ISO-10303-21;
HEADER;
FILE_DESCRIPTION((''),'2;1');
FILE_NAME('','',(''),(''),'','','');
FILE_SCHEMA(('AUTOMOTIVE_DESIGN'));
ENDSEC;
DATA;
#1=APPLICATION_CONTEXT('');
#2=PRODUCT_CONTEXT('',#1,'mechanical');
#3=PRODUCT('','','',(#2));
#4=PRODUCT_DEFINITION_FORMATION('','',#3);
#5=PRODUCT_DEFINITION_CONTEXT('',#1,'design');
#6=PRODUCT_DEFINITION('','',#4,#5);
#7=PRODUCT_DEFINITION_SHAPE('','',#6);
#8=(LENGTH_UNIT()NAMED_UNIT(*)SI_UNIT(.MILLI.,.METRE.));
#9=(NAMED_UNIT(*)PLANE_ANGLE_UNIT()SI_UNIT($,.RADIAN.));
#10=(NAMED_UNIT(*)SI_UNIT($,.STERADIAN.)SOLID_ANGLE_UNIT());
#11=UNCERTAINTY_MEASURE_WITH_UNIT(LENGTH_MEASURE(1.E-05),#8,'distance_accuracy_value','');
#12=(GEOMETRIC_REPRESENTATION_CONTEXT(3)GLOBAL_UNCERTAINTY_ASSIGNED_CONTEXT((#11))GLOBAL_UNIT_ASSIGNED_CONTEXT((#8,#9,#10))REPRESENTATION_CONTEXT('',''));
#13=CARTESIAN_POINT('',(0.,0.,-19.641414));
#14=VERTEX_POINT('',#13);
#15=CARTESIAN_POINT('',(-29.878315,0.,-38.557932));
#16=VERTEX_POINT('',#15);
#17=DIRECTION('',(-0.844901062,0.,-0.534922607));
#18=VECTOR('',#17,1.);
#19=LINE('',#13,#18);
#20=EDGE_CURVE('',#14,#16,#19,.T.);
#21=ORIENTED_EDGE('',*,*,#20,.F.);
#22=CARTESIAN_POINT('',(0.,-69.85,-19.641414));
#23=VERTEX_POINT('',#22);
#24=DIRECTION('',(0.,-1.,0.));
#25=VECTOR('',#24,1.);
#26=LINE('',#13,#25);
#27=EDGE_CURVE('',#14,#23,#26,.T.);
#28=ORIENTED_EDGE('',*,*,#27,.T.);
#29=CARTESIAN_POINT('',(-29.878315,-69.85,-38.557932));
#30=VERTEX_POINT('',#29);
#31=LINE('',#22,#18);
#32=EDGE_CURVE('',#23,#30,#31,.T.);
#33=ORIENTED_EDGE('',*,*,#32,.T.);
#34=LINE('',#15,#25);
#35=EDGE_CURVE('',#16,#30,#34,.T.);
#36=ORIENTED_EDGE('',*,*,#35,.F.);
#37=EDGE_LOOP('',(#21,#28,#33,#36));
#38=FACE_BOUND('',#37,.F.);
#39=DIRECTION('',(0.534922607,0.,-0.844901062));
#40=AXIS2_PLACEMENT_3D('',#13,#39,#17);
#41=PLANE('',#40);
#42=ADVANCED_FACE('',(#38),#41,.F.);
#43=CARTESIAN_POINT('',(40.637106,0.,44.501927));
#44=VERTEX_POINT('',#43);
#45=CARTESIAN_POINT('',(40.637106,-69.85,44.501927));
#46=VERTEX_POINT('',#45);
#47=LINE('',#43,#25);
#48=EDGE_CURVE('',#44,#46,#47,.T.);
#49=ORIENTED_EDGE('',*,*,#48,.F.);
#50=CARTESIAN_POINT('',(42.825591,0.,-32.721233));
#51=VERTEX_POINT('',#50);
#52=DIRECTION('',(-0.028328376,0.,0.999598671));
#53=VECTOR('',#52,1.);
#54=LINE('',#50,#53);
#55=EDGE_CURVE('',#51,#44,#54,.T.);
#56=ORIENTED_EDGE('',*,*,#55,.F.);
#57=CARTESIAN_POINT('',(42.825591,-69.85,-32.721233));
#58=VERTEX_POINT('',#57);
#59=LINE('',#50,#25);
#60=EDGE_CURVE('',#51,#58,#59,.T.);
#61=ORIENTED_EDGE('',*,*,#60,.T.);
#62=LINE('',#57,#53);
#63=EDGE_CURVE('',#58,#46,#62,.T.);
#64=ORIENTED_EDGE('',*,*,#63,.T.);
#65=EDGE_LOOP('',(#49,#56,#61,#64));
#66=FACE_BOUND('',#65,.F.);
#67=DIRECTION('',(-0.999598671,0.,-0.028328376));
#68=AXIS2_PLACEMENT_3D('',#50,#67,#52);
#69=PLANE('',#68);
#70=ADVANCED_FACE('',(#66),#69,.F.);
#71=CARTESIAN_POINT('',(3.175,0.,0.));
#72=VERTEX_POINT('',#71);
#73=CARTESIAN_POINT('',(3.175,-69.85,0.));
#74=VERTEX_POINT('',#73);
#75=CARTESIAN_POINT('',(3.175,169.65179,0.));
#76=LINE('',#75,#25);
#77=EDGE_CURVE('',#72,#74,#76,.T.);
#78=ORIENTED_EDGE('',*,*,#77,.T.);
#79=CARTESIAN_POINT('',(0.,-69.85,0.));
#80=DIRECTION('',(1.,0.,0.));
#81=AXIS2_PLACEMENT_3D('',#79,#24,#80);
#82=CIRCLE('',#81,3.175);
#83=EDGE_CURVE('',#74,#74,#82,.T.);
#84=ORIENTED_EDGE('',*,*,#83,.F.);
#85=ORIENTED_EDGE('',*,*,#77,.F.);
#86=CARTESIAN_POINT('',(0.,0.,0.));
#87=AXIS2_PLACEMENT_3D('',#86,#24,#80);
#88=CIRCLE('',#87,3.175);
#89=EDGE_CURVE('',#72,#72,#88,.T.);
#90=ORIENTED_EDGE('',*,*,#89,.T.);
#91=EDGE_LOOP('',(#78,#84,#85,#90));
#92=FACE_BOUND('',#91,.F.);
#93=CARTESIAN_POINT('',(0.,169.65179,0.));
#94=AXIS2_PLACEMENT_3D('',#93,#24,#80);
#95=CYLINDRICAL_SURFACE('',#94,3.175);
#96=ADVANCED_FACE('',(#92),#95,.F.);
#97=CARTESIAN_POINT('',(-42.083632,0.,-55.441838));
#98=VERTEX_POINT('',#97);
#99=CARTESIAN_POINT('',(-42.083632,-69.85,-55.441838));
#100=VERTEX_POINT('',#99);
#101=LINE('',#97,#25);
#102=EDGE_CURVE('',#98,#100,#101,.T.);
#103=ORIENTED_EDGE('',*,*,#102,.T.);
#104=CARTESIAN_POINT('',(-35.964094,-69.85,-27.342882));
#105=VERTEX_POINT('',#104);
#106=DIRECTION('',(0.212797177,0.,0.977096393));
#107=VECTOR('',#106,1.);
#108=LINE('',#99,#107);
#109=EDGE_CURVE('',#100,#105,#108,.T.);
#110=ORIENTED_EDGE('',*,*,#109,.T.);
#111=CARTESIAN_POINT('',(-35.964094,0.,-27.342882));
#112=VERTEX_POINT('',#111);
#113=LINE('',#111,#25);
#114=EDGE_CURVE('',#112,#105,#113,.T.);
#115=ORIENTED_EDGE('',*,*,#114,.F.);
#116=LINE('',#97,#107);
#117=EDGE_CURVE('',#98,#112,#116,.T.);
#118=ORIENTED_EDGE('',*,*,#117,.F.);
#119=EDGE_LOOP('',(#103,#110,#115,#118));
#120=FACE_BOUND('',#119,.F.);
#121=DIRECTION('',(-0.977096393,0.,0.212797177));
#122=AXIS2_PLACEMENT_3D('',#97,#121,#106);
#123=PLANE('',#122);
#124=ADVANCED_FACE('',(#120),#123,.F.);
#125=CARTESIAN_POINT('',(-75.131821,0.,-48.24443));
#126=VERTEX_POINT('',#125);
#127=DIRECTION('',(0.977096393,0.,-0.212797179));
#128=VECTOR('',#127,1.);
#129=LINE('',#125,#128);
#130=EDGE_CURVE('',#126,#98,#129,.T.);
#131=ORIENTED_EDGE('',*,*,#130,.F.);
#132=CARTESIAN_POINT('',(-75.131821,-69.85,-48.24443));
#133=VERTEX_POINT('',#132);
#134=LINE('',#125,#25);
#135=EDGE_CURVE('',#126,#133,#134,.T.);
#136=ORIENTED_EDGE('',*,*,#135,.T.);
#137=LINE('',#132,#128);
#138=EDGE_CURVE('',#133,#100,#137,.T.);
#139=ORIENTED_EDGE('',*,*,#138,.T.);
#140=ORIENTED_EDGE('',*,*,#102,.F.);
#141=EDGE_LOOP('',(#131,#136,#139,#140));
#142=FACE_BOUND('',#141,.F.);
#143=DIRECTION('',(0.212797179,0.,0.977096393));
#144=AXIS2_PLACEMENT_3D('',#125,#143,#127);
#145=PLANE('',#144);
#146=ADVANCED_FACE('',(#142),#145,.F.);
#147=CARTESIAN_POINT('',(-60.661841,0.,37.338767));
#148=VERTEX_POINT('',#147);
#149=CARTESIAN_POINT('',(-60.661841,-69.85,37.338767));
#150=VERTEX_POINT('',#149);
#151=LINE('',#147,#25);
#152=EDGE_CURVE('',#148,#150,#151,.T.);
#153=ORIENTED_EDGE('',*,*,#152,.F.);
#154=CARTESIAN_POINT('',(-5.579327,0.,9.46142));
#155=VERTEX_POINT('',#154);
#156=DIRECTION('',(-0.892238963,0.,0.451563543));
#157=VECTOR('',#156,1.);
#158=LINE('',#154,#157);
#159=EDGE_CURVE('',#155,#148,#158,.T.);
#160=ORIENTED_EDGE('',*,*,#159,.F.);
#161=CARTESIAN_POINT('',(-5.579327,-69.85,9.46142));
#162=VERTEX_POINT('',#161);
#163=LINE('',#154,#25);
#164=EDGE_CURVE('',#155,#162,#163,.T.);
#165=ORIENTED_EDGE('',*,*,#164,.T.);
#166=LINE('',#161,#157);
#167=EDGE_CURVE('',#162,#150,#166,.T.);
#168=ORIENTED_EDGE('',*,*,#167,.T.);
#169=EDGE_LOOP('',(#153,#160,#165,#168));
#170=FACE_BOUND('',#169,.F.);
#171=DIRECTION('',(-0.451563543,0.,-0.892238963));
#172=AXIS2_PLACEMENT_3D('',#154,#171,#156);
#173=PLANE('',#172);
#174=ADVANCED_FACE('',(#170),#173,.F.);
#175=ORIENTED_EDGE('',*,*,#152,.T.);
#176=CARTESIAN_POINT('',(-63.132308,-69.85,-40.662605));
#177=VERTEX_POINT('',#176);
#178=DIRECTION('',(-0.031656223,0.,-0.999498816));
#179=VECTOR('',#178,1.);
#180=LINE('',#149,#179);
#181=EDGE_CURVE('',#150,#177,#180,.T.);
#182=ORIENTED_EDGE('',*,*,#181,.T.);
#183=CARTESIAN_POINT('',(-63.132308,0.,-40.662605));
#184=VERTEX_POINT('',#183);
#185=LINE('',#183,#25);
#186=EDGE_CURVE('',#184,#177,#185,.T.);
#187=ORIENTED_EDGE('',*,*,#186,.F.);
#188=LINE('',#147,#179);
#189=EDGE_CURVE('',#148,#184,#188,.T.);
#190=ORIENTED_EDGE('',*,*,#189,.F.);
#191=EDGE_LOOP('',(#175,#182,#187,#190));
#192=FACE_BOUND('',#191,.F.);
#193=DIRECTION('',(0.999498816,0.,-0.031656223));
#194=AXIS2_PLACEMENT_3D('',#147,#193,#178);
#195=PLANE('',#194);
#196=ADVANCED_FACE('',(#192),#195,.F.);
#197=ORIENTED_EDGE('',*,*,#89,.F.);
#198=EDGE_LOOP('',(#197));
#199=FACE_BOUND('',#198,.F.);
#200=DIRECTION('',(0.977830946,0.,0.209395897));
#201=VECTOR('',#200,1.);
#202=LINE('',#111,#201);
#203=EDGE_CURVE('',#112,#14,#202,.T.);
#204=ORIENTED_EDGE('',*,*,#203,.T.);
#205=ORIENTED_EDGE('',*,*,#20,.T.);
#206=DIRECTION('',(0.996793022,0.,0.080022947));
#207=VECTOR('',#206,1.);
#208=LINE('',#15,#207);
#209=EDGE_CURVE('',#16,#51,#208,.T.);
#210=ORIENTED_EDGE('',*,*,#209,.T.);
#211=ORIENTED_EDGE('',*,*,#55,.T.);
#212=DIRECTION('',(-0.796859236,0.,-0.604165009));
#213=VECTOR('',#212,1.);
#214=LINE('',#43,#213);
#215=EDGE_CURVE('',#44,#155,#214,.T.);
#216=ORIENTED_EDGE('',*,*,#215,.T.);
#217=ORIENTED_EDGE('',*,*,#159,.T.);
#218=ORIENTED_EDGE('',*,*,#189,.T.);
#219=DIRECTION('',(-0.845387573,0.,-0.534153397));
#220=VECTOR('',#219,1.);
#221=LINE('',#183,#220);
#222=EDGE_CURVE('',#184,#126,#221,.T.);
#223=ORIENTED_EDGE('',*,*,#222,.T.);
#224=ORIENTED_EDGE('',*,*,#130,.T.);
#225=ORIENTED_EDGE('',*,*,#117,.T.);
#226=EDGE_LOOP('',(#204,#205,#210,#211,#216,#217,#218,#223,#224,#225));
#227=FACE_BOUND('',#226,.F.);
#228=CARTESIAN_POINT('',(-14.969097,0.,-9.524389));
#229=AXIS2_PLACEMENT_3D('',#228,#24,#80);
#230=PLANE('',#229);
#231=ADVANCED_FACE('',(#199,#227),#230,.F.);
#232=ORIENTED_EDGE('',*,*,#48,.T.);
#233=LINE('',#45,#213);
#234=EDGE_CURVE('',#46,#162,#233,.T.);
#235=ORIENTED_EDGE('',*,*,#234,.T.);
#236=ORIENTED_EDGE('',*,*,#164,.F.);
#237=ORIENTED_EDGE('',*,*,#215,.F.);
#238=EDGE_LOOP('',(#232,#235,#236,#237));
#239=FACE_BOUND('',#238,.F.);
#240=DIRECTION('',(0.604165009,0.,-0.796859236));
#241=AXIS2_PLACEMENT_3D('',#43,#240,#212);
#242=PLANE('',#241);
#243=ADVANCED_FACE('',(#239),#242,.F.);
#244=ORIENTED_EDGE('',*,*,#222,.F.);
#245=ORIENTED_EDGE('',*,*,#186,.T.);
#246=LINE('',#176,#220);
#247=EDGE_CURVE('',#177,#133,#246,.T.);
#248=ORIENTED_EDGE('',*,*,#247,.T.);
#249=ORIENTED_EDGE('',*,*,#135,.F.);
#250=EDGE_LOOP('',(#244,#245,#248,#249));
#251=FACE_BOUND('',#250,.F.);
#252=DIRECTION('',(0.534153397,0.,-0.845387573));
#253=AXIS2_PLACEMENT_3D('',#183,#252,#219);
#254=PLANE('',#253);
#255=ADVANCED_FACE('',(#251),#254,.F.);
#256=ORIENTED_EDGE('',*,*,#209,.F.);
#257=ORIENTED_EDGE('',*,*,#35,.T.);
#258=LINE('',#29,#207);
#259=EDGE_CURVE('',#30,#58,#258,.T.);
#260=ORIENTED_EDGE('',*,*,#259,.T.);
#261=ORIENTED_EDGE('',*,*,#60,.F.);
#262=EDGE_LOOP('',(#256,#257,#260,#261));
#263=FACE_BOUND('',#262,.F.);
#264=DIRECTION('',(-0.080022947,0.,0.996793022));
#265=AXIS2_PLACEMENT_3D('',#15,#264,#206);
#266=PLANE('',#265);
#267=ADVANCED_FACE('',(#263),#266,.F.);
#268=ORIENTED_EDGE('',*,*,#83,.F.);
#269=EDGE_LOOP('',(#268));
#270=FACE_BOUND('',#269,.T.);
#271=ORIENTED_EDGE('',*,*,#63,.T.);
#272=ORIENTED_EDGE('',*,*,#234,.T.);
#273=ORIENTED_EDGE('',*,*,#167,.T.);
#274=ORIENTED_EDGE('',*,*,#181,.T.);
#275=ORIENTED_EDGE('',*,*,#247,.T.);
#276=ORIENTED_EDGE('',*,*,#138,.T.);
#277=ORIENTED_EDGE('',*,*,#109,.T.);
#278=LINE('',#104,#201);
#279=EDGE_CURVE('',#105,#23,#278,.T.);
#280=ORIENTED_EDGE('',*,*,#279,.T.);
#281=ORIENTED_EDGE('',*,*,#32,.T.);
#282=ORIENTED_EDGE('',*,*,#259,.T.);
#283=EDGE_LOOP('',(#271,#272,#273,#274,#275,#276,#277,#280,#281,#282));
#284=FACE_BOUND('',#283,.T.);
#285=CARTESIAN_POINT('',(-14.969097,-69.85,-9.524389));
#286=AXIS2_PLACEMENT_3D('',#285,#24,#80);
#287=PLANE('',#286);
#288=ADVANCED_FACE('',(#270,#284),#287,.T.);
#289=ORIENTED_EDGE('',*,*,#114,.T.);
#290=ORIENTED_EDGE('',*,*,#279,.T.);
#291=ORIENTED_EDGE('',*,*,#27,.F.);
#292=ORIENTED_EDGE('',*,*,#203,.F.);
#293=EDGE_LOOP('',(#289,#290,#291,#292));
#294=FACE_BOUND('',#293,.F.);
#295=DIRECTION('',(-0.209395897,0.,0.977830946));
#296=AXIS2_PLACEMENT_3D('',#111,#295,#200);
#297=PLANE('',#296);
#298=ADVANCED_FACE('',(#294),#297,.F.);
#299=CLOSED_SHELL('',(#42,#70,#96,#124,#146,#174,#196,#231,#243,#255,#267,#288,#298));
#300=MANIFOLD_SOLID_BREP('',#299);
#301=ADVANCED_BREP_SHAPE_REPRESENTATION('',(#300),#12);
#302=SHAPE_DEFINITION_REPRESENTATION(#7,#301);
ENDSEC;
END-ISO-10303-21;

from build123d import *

# Parameters (mm, degrees)
F1_DEPTH = 69.85
F3_D     = 6.35


with BuildPart() as f1:
    # F0 (on Front) → F1 (new body)
    with BuildSketch(Plane.XZ):
        Polygon((-60.661841, 37.338767), (-63.132308, -40.662605), (-75.131821, -48.24443), (-42.083632, -55.441838), (-35.964094, -27.342882), (0, -19.641414), (-29.878315, -38.557932), (42.825591, -32.721233), (40.637106, 44.501927), (-5.579327, 9.46142), align=None)
    extrude(amount=F1_DEPTH)

    # F3 (through all)
    with Locations(Plane(origin=(0, 0, 0), x_dir=(-1, 0, 0), z_dir=(0, 1, 0))):
        with Locations((0, 0)):
            Hole(F3_D / 2)


solid = f1.part
